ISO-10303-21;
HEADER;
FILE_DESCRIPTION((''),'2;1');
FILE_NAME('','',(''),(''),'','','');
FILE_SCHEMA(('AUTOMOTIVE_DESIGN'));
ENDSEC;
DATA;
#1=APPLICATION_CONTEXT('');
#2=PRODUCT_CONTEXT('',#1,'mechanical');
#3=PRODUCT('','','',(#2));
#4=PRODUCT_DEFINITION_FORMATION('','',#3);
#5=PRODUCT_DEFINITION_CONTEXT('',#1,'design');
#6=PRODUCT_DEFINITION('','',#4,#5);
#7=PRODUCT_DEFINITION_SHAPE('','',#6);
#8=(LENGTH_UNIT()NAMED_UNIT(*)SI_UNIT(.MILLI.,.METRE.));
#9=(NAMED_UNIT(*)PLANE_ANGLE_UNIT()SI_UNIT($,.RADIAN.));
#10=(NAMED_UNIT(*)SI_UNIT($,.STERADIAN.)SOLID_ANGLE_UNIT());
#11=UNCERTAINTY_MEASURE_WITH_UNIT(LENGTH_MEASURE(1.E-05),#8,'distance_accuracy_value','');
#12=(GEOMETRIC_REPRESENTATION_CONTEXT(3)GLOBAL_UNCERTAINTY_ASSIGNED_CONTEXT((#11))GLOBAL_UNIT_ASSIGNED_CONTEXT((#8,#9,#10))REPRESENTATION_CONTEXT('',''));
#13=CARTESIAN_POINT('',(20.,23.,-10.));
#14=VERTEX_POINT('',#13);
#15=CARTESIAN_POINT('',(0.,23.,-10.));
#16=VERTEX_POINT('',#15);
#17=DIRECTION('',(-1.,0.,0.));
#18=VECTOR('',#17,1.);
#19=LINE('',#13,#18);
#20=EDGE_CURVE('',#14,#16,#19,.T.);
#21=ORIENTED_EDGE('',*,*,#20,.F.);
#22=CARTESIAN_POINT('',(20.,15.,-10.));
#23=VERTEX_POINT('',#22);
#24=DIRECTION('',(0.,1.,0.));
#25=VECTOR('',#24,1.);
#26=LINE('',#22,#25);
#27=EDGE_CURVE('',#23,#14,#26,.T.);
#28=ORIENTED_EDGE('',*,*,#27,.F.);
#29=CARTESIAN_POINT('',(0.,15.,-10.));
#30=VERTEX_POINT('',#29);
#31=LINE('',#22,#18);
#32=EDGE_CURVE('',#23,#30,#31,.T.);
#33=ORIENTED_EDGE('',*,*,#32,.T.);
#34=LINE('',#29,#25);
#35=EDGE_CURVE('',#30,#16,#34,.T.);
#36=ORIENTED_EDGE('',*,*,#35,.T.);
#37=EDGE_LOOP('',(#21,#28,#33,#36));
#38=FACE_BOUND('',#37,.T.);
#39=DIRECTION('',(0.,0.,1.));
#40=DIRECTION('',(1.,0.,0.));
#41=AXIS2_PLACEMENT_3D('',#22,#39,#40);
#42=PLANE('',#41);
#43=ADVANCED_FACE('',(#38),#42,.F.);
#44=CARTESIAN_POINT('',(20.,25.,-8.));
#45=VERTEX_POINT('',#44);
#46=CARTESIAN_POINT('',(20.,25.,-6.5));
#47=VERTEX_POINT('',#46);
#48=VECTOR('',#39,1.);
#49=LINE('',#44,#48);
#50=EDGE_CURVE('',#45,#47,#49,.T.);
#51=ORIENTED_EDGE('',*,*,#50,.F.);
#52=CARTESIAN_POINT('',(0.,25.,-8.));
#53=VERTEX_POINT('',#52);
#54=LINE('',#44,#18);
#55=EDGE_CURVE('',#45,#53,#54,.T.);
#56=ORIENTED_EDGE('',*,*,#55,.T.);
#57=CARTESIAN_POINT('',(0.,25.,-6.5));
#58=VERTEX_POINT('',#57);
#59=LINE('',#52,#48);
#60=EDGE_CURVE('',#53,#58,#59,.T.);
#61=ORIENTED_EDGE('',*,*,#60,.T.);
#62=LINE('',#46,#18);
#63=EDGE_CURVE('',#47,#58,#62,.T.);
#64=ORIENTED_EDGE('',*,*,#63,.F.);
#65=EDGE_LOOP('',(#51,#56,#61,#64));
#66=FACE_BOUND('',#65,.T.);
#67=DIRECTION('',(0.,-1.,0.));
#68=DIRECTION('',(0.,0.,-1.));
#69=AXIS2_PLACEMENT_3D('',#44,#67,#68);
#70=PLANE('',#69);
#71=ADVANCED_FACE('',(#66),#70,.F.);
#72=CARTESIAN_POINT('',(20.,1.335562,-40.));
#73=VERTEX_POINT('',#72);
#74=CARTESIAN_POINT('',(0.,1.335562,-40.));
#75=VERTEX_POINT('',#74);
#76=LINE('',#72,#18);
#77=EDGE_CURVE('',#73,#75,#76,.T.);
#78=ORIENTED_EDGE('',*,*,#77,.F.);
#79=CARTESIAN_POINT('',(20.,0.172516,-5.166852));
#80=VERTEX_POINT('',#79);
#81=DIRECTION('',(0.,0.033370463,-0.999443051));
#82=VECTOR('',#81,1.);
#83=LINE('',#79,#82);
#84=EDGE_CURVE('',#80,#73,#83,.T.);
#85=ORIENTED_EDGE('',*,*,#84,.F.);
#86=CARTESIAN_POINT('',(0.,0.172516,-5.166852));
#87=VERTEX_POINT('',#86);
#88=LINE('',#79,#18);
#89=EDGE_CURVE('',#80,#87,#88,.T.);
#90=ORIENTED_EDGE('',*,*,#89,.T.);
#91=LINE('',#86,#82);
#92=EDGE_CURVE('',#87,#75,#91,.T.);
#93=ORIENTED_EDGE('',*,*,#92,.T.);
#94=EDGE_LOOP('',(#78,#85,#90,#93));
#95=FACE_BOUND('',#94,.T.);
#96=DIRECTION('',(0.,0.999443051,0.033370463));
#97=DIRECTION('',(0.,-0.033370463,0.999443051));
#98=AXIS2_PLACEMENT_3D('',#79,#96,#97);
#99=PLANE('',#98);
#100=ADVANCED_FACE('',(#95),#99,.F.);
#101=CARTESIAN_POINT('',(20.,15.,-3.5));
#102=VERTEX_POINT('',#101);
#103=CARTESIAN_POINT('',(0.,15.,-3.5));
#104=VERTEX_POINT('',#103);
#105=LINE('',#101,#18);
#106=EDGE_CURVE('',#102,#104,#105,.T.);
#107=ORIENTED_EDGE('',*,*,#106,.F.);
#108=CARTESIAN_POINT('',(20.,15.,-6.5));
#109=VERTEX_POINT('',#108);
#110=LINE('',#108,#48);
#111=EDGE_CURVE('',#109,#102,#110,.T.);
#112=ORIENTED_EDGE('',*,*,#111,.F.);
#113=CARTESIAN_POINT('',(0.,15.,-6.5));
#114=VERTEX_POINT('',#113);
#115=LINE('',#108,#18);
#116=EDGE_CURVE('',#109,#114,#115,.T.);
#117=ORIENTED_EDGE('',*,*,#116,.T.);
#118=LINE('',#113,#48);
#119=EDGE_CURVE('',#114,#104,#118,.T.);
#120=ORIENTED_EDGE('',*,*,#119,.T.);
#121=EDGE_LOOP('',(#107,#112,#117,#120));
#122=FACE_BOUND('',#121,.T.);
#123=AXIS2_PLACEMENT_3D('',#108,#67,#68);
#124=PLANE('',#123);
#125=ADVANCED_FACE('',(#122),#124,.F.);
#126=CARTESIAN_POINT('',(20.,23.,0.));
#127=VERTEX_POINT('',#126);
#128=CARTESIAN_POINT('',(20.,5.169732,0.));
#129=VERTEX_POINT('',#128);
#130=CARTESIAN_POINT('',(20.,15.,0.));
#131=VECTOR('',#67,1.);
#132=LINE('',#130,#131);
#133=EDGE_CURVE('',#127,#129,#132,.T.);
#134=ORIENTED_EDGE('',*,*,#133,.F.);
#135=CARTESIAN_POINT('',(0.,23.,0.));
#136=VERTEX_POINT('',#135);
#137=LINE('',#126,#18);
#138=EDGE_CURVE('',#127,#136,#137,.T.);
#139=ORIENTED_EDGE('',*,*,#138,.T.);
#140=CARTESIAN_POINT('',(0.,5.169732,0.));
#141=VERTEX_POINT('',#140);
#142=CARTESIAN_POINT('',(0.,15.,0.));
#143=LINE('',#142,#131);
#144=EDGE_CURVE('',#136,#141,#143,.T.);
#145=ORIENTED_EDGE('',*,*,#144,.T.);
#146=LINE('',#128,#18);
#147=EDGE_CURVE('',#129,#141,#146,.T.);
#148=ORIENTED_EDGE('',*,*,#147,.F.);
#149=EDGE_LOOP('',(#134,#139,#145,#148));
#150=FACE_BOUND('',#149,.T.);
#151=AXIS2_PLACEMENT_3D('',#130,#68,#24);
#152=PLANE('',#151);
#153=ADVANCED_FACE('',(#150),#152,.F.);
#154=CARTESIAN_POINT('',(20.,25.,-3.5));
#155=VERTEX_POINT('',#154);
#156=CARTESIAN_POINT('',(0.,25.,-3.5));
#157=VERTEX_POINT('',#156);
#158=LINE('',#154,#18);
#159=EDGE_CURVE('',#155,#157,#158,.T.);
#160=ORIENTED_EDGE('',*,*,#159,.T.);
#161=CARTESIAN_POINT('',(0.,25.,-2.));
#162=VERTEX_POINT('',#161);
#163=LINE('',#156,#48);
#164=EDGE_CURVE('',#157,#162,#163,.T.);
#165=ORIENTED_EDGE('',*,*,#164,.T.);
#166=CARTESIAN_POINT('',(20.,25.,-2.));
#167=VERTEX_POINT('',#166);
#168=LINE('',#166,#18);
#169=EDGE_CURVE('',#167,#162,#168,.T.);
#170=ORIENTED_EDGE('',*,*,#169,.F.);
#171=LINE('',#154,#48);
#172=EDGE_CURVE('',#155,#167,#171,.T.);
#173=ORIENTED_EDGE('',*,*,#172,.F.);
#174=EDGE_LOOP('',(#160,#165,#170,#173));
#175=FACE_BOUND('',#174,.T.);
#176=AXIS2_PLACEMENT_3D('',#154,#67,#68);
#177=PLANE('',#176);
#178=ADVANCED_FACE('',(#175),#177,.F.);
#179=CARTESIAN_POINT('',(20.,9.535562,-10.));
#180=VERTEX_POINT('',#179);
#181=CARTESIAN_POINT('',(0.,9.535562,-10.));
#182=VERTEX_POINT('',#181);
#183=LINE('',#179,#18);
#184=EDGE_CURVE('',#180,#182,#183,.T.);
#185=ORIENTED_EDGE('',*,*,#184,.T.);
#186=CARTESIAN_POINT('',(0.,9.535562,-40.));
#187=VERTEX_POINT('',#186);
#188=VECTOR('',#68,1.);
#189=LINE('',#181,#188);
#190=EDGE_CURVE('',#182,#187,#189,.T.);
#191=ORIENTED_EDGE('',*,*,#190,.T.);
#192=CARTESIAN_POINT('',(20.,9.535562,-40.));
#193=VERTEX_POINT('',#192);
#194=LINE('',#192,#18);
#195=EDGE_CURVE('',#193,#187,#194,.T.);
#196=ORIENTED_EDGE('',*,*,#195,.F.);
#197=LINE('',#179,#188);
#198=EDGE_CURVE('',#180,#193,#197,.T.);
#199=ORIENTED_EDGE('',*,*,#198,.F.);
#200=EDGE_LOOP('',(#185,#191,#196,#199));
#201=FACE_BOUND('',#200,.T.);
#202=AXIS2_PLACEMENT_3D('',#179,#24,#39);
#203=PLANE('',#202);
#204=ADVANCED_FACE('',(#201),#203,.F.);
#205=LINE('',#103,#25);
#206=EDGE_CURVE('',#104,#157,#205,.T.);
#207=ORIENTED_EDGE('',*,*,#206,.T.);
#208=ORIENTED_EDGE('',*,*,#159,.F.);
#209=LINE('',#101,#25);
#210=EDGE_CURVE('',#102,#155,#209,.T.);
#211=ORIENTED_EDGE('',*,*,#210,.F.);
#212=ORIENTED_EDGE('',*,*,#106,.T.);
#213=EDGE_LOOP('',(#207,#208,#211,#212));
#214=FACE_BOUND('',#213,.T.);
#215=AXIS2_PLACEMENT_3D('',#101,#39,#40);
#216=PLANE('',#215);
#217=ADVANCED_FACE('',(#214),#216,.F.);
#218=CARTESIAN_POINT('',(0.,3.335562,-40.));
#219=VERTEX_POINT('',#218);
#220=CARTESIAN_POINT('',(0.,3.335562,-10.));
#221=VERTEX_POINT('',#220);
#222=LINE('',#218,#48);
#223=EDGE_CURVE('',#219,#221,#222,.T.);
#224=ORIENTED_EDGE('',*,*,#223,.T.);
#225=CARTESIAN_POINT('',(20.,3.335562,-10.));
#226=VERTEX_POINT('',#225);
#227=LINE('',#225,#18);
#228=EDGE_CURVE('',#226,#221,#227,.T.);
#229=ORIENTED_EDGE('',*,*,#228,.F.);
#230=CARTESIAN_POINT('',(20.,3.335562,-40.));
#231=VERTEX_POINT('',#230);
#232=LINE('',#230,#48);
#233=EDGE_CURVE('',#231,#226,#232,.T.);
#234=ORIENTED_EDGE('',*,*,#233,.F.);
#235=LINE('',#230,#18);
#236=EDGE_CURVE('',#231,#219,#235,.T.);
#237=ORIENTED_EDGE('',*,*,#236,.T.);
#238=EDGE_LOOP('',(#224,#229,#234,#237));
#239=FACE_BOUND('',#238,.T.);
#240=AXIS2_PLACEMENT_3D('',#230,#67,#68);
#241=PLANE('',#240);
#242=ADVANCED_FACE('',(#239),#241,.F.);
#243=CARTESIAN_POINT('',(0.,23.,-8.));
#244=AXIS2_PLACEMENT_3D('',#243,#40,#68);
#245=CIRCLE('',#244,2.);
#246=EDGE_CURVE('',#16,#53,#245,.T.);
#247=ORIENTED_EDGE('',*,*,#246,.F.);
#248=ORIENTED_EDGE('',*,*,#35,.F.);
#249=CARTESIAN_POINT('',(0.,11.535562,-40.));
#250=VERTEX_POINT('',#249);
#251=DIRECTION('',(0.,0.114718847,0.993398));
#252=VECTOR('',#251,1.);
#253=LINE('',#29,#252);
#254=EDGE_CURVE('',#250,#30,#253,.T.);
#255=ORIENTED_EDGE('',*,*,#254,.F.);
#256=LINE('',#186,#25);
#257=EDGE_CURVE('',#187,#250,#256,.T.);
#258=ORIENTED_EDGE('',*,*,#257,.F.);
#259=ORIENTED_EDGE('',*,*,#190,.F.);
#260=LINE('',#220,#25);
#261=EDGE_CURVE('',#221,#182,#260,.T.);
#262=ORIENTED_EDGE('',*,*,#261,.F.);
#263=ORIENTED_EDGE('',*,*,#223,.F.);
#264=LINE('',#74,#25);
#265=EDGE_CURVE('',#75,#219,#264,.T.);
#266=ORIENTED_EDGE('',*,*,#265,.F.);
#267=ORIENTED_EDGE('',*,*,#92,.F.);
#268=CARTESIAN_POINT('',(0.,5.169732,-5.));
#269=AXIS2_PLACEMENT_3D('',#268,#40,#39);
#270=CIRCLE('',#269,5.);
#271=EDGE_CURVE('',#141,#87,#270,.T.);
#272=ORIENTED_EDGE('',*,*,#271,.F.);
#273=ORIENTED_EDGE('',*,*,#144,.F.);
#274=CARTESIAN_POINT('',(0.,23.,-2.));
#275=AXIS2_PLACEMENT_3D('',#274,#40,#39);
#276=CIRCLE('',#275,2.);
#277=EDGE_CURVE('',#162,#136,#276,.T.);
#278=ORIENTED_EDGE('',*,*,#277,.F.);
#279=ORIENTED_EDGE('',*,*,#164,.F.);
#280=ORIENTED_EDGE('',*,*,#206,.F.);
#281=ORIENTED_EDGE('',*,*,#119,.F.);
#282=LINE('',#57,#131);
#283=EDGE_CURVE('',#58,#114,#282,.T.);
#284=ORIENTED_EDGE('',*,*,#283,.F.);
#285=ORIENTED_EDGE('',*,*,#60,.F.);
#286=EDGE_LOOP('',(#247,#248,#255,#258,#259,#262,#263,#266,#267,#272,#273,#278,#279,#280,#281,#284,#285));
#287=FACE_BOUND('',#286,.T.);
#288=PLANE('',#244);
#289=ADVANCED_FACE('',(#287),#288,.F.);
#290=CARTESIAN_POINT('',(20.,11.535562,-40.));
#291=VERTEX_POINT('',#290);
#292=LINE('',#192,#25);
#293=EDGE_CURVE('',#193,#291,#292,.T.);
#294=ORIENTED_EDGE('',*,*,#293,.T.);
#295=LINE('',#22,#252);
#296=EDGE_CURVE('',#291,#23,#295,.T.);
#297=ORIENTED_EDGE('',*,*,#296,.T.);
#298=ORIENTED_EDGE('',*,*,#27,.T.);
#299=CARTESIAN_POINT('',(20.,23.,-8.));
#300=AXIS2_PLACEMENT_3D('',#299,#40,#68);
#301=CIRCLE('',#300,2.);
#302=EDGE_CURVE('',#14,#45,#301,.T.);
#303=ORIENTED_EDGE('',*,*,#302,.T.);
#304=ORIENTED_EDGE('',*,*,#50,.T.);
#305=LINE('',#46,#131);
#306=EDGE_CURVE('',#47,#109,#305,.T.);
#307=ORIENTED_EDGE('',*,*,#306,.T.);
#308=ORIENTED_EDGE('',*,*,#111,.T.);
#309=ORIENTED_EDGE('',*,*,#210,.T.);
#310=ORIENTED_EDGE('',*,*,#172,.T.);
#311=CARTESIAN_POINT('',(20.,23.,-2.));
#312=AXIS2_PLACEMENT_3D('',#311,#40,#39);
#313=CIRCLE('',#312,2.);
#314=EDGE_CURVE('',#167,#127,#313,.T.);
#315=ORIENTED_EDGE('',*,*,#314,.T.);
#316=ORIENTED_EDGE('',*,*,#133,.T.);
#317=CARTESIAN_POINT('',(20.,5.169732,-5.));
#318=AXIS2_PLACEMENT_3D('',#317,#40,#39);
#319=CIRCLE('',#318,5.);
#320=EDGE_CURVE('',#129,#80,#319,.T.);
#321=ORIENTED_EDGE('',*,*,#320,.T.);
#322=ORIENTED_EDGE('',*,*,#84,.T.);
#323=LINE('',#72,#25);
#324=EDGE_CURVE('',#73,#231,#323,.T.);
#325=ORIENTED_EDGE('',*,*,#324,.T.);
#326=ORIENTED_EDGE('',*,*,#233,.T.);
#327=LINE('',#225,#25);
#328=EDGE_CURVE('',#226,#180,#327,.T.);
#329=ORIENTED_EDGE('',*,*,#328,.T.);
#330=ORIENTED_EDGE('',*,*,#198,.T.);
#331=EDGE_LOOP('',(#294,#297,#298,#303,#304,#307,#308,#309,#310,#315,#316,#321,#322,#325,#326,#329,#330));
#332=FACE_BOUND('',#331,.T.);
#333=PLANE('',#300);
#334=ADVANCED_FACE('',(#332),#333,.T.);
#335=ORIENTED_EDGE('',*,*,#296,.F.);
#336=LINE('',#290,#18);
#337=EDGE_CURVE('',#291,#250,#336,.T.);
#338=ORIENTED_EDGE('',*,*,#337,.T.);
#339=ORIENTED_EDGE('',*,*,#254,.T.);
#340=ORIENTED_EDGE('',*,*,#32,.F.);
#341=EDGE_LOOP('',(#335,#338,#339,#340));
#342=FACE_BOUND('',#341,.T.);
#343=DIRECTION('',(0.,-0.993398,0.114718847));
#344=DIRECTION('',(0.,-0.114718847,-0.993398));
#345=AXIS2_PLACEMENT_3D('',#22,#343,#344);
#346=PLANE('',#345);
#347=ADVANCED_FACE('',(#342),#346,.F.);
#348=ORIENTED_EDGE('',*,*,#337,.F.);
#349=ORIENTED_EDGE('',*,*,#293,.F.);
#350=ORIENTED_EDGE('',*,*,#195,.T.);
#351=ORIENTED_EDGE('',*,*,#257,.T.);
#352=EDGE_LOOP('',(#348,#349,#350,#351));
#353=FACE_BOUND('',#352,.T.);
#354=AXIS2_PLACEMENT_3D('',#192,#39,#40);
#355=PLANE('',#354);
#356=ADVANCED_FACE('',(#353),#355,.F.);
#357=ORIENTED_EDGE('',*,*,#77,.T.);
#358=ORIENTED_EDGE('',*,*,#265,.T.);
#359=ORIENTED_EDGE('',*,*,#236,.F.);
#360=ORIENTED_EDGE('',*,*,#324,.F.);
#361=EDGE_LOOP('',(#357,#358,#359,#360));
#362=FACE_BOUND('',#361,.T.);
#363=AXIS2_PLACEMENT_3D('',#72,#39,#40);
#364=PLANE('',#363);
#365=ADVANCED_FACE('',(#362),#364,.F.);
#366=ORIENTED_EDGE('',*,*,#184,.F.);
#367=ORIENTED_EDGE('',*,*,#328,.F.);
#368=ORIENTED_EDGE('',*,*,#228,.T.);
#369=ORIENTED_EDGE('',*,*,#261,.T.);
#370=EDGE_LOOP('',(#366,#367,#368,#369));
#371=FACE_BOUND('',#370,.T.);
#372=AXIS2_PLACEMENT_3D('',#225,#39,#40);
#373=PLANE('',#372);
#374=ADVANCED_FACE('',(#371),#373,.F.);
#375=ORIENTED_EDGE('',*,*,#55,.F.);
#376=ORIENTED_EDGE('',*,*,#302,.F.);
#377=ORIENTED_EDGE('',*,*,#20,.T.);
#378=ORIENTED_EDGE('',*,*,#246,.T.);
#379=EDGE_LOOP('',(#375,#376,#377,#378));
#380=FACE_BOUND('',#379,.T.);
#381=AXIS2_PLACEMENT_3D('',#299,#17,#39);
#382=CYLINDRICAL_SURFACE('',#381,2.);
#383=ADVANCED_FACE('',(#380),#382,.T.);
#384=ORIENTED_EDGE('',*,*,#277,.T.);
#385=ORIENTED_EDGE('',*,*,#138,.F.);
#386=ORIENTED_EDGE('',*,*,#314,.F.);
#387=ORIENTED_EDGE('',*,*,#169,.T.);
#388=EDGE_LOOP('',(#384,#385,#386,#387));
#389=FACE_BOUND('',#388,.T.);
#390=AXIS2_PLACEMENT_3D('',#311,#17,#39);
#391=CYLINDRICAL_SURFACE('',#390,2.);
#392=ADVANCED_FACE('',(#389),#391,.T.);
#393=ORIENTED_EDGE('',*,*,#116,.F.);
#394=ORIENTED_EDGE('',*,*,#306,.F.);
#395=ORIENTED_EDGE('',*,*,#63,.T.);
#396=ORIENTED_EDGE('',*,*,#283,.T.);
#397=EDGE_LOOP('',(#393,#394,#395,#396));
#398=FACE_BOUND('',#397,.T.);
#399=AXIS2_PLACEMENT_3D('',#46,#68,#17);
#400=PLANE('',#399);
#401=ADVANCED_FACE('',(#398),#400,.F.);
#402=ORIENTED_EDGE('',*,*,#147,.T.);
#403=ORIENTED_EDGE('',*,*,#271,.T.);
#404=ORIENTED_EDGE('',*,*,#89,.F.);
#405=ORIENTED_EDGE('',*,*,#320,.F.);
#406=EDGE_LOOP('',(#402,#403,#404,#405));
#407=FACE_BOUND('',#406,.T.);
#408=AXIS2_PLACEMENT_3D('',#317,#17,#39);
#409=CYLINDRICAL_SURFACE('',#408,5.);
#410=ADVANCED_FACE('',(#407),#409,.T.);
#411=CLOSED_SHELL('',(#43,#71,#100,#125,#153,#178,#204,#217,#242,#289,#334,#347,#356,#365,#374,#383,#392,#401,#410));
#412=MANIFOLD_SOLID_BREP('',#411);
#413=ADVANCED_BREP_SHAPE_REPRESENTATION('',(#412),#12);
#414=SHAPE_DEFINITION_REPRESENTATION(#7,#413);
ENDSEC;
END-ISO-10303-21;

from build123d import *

# Parameters (mm, degrees)
BOSS_EXTRU_1_DEPTH = 20


with BuildPart() as part:
    # Esquisse1 → Boss.-Extru.1 (new body)
    with BuildSketch(Plane(origin=(0, 0, 0), x_dir=(0, 0, -1), z_dir=(1, 0, 0))):
        with BuildLine():
            Line((5.166852316, 0.172516338), (40, 1.335562371))
            Line((40, 1.335562371), (40, 3.335562371))
            Line((40, 3.335562371), (10, 3.335562371))
            Line((10, 3.335562371), (10, 9.535562371))
            Line((10, 9.535562371), (40, 9.535562371))
            Line((40, 9.535562371), (40, 11.535562371))
            Line((40, 11.535562371), (10, 15))
            Line((10, 15), (10, 23))
            ThreePointArc((10, 23), (9.414213562, 24.414213562), (8, 25))
            Line((8, 25), (6.5, 25))
            Line((6.5, 25), (6.5, 15))
            Line((6.5, 15), (3.5, 15))
            Line((3.5, 15), (3.5, 25))
            Line((3.5, 25), (2, 25))
            ThreePointArc((2, 25), (0.585786438, 24.414213562), (0, 23))
            Line((0, 23), (0, 15))
            Line((0, 15), (0, 5.169731593))
            ThreePointArc((0, 5.169731593), (1.523957824, 1.575690582), (5.166852316, 0.172516338))
        make_face()
    extrude(amount=BOSS_EXTRU_1_DEPTH)


solid = part.part
